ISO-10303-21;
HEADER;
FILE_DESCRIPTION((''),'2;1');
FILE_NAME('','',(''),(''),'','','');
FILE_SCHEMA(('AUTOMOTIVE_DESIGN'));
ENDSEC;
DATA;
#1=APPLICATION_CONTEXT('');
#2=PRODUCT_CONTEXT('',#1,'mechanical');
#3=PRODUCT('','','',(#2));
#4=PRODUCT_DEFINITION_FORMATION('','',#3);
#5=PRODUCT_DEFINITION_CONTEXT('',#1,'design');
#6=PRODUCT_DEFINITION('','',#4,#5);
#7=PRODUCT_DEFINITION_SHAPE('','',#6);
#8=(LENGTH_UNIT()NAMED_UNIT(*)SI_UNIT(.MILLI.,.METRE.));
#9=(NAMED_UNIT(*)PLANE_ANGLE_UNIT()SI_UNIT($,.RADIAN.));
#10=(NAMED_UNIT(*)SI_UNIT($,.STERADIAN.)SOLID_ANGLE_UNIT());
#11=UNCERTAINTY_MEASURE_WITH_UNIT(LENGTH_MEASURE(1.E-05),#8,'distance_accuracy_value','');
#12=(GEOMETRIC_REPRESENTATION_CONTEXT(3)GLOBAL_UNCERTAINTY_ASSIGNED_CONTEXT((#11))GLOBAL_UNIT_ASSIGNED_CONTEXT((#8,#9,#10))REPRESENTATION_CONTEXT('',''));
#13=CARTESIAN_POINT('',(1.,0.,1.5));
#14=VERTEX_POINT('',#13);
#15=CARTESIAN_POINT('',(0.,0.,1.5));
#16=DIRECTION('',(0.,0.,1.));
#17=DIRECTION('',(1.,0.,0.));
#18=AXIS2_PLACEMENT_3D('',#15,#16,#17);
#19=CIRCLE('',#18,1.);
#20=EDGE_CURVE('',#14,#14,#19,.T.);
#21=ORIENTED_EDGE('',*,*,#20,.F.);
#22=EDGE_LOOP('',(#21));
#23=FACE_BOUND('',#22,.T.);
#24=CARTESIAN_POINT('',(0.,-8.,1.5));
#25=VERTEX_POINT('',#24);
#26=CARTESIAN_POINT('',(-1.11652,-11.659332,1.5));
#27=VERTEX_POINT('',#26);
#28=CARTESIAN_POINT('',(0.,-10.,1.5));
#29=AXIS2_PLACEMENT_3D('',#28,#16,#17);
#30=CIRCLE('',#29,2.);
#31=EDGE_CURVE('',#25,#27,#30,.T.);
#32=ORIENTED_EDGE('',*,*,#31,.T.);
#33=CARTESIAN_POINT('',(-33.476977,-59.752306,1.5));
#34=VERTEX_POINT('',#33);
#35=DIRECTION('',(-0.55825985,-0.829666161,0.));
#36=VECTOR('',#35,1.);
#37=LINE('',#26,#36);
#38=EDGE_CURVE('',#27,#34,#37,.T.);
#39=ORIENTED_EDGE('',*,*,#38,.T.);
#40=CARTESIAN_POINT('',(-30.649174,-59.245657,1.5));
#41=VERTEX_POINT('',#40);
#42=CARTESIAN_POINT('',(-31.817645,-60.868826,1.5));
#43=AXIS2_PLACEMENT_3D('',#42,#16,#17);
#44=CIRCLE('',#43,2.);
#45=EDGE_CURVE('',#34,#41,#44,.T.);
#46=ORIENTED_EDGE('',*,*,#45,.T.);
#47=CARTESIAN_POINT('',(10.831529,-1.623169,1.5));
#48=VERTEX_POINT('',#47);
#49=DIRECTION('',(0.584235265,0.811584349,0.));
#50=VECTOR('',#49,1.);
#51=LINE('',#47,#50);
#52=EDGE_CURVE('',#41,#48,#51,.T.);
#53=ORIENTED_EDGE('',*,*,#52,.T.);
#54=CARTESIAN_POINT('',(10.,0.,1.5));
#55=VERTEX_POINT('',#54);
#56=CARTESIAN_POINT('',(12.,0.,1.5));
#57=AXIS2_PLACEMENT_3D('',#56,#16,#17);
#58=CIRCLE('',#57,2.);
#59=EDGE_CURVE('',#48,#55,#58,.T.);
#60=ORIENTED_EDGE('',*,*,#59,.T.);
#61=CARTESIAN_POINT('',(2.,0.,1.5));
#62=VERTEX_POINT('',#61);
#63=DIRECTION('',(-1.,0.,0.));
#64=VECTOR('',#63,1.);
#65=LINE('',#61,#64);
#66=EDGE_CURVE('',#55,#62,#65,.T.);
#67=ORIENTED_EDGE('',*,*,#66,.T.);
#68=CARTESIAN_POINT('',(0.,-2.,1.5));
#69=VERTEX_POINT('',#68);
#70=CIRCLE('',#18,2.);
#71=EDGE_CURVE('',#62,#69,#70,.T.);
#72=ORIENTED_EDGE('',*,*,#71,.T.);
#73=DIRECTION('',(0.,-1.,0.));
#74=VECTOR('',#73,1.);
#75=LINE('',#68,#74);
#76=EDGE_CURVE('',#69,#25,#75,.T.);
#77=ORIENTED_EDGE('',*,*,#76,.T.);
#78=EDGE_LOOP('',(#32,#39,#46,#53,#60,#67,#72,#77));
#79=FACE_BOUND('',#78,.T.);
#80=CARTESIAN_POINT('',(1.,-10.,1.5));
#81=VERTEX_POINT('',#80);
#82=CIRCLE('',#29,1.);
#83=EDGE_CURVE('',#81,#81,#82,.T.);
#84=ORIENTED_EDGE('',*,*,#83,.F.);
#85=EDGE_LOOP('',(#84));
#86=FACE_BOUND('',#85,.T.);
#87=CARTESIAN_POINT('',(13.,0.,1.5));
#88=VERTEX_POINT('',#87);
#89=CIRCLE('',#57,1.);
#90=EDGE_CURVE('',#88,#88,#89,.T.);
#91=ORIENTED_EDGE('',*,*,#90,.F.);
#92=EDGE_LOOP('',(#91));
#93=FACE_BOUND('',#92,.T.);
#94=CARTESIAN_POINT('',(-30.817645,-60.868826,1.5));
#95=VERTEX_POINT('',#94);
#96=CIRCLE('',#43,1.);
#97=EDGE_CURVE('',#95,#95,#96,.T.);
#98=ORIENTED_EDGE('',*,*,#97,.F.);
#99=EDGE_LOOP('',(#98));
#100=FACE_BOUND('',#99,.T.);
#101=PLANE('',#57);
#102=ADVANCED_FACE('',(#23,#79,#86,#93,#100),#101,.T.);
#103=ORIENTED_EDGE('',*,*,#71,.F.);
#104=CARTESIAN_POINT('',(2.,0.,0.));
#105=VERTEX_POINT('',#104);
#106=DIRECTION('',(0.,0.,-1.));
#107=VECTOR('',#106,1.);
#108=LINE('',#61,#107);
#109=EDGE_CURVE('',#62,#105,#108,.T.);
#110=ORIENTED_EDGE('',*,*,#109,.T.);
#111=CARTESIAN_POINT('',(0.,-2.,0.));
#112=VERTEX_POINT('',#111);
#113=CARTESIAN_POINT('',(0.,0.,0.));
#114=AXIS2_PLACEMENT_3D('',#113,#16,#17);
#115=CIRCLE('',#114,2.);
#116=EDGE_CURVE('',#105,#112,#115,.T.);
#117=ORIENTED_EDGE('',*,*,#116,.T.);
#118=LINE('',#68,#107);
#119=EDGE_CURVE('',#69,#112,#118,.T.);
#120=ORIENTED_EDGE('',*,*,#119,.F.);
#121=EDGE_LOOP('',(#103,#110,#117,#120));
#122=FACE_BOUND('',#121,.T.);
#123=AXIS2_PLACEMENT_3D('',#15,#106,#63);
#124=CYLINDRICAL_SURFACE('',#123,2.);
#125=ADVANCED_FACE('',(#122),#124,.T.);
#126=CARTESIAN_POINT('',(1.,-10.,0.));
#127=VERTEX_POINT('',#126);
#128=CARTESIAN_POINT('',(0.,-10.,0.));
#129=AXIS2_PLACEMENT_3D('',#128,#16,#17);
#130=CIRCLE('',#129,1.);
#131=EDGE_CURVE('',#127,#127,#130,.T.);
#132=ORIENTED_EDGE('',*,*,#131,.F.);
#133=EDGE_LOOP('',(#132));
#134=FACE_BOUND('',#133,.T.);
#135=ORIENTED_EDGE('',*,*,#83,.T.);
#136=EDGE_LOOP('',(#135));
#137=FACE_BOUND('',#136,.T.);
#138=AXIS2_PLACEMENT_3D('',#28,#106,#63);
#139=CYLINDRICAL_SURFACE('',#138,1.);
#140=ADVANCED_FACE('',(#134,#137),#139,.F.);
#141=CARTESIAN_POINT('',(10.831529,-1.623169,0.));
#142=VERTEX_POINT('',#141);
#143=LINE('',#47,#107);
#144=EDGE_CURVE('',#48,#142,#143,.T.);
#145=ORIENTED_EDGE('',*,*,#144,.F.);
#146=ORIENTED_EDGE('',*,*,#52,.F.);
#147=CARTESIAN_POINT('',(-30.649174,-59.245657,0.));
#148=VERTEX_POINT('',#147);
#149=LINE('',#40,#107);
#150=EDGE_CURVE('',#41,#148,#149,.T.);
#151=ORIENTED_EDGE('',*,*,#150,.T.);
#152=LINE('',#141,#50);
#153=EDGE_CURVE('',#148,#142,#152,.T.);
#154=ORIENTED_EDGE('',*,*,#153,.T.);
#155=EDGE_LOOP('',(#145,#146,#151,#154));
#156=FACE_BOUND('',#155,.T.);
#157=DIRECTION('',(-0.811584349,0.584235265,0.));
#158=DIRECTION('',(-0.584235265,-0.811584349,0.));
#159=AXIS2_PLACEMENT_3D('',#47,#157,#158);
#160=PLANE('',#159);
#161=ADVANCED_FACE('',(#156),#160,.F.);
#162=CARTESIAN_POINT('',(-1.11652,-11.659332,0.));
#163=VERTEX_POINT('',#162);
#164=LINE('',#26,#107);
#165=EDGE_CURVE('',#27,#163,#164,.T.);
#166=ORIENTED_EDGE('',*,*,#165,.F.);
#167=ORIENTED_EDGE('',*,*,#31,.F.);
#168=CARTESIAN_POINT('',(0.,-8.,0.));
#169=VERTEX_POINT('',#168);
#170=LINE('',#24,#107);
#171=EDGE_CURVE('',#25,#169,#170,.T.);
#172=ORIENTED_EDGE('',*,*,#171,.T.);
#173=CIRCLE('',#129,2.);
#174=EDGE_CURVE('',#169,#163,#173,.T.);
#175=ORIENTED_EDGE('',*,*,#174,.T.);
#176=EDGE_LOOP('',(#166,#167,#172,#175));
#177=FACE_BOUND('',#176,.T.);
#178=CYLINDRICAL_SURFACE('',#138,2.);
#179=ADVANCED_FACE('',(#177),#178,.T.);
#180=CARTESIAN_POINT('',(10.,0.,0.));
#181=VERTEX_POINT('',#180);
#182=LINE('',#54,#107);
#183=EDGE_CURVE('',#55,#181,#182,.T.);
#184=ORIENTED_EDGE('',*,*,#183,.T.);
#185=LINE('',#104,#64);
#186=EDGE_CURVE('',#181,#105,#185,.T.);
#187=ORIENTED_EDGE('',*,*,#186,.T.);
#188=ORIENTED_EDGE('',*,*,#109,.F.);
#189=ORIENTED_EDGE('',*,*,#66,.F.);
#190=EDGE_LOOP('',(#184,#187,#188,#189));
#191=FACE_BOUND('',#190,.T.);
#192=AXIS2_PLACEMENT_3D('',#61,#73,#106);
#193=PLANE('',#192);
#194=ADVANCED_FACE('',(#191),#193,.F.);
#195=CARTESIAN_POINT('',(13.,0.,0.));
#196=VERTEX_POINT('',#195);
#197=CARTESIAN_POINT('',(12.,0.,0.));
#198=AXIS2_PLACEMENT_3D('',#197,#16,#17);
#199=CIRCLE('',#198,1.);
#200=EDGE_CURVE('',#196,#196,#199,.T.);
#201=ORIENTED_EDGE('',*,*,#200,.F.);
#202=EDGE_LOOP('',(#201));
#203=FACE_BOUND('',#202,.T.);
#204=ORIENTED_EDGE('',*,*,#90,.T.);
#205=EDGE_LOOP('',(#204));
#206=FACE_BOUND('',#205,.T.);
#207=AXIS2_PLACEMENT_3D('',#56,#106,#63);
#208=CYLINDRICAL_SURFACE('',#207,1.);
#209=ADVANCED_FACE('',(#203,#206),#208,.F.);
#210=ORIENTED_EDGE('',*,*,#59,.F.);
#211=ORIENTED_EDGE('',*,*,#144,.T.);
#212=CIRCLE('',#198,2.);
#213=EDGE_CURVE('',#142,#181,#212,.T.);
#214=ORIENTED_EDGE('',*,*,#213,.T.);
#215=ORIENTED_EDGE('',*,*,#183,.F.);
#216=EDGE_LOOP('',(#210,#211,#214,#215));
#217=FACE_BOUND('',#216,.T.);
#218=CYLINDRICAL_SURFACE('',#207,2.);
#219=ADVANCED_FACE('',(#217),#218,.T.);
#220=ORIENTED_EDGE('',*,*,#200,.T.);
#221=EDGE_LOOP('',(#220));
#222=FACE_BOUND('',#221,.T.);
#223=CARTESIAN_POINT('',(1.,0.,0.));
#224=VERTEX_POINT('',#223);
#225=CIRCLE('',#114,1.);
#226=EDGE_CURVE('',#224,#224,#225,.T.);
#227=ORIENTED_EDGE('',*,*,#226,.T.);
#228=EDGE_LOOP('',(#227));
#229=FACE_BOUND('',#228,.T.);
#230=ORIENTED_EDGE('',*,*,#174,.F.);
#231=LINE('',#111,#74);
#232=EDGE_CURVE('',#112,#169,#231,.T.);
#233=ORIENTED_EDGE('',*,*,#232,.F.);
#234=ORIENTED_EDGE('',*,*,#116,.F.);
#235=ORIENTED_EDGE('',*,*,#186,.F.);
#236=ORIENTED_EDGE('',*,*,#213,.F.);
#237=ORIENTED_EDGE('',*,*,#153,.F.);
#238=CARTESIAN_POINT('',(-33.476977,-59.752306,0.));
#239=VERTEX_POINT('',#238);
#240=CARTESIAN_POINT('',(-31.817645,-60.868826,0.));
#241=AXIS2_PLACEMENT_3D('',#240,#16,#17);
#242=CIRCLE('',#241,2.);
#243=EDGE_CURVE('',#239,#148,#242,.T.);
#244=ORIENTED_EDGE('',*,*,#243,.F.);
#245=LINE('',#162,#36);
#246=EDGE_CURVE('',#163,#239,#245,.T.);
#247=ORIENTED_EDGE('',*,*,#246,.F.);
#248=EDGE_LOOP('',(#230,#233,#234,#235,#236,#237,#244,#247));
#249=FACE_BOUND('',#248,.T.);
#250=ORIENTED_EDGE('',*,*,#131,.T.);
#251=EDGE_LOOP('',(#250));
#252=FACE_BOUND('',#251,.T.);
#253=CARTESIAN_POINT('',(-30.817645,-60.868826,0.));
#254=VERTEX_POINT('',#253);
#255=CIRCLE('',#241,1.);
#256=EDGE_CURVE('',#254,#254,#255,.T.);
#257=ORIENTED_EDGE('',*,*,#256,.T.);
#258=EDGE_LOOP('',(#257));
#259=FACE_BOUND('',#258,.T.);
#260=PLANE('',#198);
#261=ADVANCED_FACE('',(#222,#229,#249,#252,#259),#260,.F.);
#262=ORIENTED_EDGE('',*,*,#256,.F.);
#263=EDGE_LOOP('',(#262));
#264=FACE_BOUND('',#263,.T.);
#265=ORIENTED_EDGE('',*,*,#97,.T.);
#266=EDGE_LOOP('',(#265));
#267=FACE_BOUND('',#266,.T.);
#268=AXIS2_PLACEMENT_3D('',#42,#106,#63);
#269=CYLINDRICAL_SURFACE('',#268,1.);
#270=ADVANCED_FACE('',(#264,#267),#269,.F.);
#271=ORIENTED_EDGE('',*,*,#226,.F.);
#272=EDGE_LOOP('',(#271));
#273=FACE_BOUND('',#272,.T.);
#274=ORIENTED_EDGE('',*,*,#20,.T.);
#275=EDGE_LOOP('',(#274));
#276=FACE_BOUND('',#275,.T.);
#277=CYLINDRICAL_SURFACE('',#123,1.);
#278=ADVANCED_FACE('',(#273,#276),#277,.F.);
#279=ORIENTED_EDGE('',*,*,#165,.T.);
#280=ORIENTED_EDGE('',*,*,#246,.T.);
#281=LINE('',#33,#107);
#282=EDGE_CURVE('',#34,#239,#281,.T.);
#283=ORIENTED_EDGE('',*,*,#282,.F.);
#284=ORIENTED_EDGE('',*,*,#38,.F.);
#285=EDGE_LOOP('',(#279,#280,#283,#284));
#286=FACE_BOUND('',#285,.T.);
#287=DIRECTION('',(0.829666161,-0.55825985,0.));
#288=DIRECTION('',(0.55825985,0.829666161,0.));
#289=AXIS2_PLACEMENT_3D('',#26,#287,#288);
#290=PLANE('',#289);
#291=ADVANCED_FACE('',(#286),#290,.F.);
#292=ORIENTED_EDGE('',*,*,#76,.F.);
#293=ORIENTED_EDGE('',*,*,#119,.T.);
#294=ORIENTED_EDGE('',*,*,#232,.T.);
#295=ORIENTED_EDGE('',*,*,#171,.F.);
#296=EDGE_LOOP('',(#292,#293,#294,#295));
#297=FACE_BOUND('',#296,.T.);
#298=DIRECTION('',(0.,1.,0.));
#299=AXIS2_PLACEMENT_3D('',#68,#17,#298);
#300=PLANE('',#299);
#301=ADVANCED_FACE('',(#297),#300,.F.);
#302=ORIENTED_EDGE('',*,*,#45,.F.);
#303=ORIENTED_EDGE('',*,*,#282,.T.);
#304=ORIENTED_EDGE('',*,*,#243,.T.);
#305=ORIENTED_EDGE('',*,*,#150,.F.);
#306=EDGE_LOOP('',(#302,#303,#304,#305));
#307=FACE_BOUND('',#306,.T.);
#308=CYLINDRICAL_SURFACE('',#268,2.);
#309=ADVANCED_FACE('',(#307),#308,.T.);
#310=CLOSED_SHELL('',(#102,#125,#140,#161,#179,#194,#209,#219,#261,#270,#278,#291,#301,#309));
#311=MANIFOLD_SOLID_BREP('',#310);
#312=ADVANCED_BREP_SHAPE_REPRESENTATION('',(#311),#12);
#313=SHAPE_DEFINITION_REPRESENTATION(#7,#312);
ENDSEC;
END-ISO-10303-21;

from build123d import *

# Parameters (mm, degrees)
SKETCH_1_R      = 1
EXTRUDE_1_DEPTH = 1.5


with BuildPart() as part:
    # 草图1 → 凸台-拉伸1 (new body)
    with BuildSketch(Plane.XY):
        with BuildLine():
            Line((10.83152947, -1.623168698), (-30.649174333, -59.245657467))
            ThreePointArc((-30.649174333, -59.245657467), (-31.464927374, -62.837478083), (-33.476977186, -59.752306464))
            Line((-33.476977186, -59.752306464), (-1.116519701, -11.659332323))
            ThreePointArc((-1.116519701, -11.659332323), (-1.912938139, -9.416332563), (0, -8))
            Line((0, -8), (0, -2))
            ThreePointArc((0, -2), (-1.414213562, 1.414213562), (2, 0))
            Line((2, 0), (10, 0))
            ThreePointArc((10, 0), (13.780019812, 0.911882377), (10.83152947, -1.623168698))
        make_face()
        with Locations((-31.817644863, -60.868826165)):
            Circle(SKETCH_1_R, mode=Mode.SUBTRACT)
        Circle(SKETCH_1_R, mode=Mode.SUBTRACT)
        with Locations((12, 0)):
            Circle(SKETCH_1_R, mode=Mode.SUBTRACT)
        with Locations((0, -10)):
            Circle(SKETCH_1_R, mode=Mode.SUBTRACT)
    extrude(amount=EXTRUDE_1_DEPTH)


solid = part.part
